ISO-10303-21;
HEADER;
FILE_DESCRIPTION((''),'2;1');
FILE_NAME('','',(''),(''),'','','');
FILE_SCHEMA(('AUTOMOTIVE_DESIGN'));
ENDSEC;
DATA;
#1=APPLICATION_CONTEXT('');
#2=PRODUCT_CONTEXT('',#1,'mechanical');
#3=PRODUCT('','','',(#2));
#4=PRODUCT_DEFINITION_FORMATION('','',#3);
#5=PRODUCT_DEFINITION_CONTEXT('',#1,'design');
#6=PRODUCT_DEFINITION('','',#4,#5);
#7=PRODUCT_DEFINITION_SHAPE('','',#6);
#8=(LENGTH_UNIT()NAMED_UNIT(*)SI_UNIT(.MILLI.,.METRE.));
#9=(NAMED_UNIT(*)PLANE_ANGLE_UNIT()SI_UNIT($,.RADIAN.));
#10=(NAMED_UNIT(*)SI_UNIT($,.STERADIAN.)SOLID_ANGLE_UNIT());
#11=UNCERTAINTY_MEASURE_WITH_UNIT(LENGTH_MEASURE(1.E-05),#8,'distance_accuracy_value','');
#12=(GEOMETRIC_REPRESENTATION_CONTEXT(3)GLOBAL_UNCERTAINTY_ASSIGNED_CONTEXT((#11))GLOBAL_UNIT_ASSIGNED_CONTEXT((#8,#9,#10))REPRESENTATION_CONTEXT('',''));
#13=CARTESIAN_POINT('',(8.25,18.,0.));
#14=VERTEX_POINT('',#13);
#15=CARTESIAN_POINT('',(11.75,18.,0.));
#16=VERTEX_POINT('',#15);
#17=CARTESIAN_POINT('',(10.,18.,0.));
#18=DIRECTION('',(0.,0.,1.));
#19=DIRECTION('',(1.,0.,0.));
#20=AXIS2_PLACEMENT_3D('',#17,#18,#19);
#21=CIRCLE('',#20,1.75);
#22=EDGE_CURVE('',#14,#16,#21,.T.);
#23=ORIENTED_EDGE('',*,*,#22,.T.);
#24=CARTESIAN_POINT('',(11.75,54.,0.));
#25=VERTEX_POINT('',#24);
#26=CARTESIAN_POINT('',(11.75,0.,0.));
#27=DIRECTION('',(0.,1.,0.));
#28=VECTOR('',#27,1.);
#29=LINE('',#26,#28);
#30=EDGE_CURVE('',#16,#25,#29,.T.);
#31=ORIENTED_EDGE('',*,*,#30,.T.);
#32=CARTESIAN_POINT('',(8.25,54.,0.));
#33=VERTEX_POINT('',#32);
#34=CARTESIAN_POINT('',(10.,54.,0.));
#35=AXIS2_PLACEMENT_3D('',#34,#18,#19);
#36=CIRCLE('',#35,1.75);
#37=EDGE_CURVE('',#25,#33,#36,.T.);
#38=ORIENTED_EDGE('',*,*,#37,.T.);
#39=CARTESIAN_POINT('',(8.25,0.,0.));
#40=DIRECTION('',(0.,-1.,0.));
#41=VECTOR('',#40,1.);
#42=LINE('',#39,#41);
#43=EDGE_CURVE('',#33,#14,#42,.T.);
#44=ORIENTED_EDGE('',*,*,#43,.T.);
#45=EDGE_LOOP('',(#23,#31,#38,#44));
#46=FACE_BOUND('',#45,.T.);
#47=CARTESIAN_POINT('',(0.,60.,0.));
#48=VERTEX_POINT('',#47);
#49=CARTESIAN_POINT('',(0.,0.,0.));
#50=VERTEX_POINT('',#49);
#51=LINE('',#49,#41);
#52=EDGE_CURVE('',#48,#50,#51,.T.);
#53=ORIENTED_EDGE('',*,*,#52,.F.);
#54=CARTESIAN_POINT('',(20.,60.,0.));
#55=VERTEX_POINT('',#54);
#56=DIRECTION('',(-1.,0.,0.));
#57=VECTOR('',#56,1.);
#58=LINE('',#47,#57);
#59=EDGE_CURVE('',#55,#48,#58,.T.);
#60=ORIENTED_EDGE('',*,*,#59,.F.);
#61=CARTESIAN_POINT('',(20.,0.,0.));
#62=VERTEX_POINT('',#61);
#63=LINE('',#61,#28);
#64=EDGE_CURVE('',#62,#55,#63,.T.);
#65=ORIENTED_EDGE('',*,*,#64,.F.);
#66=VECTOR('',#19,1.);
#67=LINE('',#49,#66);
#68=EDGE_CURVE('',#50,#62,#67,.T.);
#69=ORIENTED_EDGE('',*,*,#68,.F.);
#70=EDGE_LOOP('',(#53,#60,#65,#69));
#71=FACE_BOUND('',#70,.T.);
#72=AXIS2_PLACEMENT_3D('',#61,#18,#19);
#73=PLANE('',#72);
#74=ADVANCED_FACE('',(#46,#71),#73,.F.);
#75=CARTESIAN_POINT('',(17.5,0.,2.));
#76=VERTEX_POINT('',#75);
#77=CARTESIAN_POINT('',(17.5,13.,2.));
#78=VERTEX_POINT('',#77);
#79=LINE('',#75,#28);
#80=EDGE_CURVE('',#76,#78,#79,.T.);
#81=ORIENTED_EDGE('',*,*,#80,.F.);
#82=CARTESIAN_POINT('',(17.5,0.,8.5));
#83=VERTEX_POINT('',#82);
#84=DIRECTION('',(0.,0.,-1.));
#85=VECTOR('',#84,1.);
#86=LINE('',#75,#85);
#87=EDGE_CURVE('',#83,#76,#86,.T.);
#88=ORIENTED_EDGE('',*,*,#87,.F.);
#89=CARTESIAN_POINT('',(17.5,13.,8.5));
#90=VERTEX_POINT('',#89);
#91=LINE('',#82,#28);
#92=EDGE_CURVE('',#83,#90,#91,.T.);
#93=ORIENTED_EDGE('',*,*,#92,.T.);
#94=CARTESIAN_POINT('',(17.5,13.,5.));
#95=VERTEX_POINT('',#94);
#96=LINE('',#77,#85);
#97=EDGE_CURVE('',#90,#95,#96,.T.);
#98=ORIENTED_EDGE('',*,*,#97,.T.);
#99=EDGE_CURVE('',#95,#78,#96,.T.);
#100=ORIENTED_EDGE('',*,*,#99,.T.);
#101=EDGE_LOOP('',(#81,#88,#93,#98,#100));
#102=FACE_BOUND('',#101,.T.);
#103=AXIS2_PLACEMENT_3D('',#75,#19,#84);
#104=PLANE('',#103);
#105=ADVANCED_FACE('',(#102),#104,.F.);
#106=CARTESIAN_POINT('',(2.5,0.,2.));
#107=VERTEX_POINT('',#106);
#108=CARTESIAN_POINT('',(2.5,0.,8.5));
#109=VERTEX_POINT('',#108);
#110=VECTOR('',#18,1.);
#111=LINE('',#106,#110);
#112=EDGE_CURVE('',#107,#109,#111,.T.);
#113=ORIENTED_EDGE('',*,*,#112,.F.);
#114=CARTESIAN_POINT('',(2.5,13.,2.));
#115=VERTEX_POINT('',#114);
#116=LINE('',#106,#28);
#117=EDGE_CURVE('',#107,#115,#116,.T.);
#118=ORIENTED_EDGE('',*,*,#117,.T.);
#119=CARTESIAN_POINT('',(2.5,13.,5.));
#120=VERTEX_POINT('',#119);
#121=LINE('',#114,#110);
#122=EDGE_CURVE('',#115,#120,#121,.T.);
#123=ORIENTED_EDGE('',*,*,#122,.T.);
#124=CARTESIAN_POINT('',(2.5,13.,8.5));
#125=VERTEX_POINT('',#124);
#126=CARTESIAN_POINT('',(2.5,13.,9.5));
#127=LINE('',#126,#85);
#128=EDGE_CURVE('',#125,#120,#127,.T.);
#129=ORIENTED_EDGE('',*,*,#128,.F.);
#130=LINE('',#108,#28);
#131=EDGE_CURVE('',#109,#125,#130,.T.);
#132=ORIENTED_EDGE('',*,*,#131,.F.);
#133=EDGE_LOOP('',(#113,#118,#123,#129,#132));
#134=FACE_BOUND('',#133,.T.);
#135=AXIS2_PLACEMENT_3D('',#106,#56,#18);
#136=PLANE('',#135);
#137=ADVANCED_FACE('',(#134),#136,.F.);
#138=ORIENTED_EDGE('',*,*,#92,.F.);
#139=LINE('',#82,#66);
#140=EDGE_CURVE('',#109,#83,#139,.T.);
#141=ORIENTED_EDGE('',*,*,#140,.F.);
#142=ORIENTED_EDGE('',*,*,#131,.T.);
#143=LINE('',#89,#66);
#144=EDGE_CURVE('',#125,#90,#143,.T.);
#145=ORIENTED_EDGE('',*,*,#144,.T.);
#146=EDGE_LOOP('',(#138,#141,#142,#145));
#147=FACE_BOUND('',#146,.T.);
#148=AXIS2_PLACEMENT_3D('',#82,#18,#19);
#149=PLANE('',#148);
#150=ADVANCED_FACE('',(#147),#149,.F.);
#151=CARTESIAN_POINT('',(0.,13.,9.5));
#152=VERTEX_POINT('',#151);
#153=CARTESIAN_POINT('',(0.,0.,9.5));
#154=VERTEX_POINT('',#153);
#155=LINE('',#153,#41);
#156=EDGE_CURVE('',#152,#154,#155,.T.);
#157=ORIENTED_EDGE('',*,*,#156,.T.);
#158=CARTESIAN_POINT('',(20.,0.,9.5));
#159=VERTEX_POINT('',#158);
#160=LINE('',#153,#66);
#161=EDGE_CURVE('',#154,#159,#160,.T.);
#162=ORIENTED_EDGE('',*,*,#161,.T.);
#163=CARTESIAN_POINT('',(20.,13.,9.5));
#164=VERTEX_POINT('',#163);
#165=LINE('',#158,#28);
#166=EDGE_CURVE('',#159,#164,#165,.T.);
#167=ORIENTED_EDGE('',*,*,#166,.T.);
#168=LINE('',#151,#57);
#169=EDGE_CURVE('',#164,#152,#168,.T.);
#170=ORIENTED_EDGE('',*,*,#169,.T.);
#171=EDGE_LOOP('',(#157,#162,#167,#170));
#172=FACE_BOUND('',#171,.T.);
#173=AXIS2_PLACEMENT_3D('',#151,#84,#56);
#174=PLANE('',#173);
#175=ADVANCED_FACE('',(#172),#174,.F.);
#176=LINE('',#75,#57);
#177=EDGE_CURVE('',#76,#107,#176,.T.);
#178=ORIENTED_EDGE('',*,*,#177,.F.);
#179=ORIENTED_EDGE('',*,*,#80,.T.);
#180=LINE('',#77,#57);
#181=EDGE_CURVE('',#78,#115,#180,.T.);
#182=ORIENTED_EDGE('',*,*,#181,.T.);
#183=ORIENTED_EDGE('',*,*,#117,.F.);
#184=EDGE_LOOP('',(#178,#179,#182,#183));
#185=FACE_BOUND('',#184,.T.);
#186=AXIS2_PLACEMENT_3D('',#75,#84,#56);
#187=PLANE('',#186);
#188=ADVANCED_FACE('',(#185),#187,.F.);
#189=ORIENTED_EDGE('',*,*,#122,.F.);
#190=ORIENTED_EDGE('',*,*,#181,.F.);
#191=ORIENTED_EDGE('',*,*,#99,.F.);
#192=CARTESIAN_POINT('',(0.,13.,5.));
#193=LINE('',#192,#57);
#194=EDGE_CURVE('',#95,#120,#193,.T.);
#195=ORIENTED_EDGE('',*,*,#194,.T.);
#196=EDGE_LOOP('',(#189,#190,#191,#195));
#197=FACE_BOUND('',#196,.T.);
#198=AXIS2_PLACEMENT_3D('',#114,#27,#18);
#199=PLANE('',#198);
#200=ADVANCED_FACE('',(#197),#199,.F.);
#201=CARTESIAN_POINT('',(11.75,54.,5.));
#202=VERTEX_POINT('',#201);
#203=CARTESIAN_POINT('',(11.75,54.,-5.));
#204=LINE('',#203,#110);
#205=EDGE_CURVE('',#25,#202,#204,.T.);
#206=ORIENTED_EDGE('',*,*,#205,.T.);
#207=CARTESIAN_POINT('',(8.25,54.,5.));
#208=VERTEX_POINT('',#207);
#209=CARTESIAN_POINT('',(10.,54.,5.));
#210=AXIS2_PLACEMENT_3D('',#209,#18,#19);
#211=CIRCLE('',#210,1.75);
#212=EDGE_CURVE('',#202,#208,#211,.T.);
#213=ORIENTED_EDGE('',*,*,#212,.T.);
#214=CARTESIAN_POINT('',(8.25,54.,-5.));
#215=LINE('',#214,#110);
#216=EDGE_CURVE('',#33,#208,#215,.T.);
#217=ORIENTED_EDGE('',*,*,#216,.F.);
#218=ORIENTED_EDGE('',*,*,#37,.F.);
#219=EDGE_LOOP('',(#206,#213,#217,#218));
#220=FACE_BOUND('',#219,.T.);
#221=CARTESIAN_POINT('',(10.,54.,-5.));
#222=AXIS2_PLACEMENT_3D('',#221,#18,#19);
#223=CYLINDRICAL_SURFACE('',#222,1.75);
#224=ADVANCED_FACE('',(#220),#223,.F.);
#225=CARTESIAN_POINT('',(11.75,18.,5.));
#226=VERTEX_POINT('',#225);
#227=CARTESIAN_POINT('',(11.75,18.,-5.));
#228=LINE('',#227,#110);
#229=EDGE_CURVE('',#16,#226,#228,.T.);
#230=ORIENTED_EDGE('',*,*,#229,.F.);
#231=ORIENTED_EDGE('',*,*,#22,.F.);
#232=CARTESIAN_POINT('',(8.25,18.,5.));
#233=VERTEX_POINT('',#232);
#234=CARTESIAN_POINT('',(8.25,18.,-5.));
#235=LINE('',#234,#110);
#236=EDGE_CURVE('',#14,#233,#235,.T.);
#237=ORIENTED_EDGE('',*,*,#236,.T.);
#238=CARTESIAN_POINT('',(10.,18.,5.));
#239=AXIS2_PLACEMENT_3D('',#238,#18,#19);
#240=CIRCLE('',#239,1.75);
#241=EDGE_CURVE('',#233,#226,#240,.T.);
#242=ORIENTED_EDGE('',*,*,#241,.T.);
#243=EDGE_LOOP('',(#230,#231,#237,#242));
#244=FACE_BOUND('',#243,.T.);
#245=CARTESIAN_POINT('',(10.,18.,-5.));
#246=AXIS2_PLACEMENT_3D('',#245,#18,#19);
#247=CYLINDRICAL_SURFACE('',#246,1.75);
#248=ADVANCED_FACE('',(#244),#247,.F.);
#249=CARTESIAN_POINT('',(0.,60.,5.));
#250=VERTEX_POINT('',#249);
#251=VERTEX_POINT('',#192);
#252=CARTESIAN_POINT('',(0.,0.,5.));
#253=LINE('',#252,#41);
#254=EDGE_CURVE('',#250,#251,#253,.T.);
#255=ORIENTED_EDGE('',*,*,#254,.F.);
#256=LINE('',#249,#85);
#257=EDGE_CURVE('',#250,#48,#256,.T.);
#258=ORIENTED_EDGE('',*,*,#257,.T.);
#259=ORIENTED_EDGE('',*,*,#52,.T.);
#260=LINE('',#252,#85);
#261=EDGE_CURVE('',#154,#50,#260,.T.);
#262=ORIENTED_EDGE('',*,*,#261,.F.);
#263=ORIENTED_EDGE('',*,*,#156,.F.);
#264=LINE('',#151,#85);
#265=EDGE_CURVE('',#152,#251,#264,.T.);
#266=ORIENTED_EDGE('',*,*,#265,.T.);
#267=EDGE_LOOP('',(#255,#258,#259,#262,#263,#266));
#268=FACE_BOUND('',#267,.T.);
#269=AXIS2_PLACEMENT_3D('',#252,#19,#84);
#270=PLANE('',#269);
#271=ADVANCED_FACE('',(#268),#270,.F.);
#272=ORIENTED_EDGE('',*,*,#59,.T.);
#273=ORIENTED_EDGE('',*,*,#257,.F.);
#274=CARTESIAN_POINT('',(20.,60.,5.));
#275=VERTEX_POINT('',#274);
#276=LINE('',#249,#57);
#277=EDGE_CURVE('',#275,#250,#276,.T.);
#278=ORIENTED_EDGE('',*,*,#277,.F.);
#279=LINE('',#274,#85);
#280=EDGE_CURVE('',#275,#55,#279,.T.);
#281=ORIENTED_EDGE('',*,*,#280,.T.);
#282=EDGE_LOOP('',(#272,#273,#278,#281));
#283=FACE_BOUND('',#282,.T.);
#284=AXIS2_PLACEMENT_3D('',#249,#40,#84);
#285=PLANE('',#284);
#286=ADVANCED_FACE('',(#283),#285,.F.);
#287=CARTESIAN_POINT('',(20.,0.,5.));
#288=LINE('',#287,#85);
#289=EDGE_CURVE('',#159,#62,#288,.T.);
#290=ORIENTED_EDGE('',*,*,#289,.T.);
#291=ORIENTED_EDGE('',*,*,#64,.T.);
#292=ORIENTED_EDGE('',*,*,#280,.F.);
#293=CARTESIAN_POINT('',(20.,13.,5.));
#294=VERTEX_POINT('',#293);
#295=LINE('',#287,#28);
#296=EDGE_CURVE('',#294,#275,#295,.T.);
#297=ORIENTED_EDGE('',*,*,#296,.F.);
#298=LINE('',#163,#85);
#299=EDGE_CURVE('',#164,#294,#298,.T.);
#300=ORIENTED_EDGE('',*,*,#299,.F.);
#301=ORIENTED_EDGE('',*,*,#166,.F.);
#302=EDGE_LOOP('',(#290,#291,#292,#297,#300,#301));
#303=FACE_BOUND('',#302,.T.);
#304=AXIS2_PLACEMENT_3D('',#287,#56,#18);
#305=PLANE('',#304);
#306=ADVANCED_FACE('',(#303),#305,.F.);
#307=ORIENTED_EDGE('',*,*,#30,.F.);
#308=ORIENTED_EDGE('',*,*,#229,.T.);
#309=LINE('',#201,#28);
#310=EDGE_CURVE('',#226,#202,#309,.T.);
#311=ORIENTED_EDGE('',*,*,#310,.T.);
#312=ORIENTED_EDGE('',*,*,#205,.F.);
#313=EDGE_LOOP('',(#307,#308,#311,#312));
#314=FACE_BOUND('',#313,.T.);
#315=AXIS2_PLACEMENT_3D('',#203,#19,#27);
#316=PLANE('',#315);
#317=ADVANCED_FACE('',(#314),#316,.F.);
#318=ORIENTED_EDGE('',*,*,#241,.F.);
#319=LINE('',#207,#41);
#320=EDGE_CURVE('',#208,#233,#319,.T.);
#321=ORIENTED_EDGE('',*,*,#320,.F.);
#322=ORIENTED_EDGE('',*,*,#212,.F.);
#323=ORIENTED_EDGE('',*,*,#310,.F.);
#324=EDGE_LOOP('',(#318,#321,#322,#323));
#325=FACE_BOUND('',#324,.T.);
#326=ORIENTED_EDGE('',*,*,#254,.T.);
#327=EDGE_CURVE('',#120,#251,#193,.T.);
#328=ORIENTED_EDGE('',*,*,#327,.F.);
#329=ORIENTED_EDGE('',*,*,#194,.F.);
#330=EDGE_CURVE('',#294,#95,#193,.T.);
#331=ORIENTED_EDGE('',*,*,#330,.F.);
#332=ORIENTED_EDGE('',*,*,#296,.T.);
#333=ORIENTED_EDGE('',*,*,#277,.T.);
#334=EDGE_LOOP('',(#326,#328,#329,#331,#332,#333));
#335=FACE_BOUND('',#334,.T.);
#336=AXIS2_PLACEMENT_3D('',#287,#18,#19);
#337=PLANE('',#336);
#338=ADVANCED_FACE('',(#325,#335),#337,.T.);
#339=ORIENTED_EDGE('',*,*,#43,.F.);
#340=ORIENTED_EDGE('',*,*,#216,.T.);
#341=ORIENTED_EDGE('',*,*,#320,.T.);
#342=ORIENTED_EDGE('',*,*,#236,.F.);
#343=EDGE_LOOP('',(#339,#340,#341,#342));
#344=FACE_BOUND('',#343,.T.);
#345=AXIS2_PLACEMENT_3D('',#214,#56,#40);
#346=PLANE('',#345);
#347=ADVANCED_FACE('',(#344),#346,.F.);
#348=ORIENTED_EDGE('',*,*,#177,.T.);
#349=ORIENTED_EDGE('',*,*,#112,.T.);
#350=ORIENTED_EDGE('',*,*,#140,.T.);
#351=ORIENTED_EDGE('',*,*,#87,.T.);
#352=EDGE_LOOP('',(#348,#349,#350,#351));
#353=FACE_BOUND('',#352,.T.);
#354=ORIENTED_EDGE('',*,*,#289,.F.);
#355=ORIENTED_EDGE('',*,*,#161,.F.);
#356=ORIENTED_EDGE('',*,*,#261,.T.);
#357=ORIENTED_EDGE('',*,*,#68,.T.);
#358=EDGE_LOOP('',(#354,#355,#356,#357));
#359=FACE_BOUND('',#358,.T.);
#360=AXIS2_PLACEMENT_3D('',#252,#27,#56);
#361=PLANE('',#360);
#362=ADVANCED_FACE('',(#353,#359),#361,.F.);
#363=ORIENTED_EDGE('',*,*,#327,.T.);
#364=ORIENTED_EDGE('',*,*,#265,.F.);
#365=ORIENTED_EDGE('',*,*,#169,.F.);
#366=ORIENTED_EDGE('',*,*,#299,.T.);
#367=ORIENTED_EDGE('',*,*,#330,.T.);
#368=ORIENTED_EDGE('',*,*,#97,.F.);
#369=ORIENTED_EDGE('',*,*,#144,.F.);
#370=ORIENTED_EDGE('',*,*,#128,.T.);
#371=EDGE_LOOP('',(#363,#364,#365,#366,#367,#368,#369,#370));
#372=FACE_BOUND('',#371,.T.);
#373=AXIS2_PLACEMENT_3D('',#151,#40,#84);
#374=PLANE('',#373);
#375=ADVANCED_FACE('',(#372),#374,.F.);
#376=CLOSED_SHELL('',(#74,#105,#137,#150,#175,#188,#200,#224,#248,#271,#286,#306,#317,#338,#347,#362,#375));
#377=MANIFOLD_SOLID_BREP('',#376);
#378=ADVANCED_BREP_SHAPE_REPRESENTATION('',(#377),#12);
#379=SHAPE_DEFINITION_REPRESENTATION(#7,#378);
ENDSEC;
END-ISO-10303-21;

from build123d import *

# Parameters (mm, degrees)
SKETCH1_W           = 20
SKETCH1_H           = 60
BOSS_EXTRUDE1_DEPTH = 5
SKETCH2_W           = 20
SKETCH2_H           = 13
BOSS_EXTRUDE2_DEPTH = 4.5
SKETCH3_W           = 15
SKETCH3_H           = 6.5
CUT_EXTRUDE1_DEPTH  = 14
CUT_EXTRUDE2_DEPTH  = 10


with BuildPart() as part:
    # Sketch1 → Boss-Extrude1 (new body)
    with BuildSketch(Plane.XY):
        with Locations((10, 30)):
            Rectangle(SKETCH1_W, SKETCH1_H)
    extrude(amount=BOSS_EXTRUDE1_DEPTH)

    # Sketch2 → Boss-Extrude2 (add)
    with BuildSketch(Plane.XY.offset(5)):
        with Locations((10, 6.5)):
            Rectangle(SKETCH2_W, SKETCH2_H)
    extrude(amount=BOSS_EXTRUDE2_DEPTH)

    # Sketch3 → Cut-Extrude1 (cut, through all)
    with BuildSketch(Plane(origin=(0, 13, 0), x_dir=(1, 0, 0), z_dir=(0, 1, 0))):
        with Locations((10, -5.25)):
            Rectangle(SKETCH3_W, SKETCH3_H)
    extrude(amount=-CUT_EXTRUDE1_DEPTH, mode=Mode.SUBTRACT)

    # Sketch4 → Cut-Extrude2 (cut)
    with BuildSketch(Plane.XY.offset(5)):
        with BuildLine():
            Line((11.75, 54), (11.75, 18))
            ThreePointArc((11.75, 18), (10, 16.25), (8.25, 18))
            Line((8.25, 18), (8.25, 54))
            ThreePointArc((8.25, 54), (10, 55.75), (11.75, 54))
        make_face()
    extrude(amount=-CUT_EXTRUDE2_DEPTH, mode=Mode.SUBTRACT)


solid = part.part
